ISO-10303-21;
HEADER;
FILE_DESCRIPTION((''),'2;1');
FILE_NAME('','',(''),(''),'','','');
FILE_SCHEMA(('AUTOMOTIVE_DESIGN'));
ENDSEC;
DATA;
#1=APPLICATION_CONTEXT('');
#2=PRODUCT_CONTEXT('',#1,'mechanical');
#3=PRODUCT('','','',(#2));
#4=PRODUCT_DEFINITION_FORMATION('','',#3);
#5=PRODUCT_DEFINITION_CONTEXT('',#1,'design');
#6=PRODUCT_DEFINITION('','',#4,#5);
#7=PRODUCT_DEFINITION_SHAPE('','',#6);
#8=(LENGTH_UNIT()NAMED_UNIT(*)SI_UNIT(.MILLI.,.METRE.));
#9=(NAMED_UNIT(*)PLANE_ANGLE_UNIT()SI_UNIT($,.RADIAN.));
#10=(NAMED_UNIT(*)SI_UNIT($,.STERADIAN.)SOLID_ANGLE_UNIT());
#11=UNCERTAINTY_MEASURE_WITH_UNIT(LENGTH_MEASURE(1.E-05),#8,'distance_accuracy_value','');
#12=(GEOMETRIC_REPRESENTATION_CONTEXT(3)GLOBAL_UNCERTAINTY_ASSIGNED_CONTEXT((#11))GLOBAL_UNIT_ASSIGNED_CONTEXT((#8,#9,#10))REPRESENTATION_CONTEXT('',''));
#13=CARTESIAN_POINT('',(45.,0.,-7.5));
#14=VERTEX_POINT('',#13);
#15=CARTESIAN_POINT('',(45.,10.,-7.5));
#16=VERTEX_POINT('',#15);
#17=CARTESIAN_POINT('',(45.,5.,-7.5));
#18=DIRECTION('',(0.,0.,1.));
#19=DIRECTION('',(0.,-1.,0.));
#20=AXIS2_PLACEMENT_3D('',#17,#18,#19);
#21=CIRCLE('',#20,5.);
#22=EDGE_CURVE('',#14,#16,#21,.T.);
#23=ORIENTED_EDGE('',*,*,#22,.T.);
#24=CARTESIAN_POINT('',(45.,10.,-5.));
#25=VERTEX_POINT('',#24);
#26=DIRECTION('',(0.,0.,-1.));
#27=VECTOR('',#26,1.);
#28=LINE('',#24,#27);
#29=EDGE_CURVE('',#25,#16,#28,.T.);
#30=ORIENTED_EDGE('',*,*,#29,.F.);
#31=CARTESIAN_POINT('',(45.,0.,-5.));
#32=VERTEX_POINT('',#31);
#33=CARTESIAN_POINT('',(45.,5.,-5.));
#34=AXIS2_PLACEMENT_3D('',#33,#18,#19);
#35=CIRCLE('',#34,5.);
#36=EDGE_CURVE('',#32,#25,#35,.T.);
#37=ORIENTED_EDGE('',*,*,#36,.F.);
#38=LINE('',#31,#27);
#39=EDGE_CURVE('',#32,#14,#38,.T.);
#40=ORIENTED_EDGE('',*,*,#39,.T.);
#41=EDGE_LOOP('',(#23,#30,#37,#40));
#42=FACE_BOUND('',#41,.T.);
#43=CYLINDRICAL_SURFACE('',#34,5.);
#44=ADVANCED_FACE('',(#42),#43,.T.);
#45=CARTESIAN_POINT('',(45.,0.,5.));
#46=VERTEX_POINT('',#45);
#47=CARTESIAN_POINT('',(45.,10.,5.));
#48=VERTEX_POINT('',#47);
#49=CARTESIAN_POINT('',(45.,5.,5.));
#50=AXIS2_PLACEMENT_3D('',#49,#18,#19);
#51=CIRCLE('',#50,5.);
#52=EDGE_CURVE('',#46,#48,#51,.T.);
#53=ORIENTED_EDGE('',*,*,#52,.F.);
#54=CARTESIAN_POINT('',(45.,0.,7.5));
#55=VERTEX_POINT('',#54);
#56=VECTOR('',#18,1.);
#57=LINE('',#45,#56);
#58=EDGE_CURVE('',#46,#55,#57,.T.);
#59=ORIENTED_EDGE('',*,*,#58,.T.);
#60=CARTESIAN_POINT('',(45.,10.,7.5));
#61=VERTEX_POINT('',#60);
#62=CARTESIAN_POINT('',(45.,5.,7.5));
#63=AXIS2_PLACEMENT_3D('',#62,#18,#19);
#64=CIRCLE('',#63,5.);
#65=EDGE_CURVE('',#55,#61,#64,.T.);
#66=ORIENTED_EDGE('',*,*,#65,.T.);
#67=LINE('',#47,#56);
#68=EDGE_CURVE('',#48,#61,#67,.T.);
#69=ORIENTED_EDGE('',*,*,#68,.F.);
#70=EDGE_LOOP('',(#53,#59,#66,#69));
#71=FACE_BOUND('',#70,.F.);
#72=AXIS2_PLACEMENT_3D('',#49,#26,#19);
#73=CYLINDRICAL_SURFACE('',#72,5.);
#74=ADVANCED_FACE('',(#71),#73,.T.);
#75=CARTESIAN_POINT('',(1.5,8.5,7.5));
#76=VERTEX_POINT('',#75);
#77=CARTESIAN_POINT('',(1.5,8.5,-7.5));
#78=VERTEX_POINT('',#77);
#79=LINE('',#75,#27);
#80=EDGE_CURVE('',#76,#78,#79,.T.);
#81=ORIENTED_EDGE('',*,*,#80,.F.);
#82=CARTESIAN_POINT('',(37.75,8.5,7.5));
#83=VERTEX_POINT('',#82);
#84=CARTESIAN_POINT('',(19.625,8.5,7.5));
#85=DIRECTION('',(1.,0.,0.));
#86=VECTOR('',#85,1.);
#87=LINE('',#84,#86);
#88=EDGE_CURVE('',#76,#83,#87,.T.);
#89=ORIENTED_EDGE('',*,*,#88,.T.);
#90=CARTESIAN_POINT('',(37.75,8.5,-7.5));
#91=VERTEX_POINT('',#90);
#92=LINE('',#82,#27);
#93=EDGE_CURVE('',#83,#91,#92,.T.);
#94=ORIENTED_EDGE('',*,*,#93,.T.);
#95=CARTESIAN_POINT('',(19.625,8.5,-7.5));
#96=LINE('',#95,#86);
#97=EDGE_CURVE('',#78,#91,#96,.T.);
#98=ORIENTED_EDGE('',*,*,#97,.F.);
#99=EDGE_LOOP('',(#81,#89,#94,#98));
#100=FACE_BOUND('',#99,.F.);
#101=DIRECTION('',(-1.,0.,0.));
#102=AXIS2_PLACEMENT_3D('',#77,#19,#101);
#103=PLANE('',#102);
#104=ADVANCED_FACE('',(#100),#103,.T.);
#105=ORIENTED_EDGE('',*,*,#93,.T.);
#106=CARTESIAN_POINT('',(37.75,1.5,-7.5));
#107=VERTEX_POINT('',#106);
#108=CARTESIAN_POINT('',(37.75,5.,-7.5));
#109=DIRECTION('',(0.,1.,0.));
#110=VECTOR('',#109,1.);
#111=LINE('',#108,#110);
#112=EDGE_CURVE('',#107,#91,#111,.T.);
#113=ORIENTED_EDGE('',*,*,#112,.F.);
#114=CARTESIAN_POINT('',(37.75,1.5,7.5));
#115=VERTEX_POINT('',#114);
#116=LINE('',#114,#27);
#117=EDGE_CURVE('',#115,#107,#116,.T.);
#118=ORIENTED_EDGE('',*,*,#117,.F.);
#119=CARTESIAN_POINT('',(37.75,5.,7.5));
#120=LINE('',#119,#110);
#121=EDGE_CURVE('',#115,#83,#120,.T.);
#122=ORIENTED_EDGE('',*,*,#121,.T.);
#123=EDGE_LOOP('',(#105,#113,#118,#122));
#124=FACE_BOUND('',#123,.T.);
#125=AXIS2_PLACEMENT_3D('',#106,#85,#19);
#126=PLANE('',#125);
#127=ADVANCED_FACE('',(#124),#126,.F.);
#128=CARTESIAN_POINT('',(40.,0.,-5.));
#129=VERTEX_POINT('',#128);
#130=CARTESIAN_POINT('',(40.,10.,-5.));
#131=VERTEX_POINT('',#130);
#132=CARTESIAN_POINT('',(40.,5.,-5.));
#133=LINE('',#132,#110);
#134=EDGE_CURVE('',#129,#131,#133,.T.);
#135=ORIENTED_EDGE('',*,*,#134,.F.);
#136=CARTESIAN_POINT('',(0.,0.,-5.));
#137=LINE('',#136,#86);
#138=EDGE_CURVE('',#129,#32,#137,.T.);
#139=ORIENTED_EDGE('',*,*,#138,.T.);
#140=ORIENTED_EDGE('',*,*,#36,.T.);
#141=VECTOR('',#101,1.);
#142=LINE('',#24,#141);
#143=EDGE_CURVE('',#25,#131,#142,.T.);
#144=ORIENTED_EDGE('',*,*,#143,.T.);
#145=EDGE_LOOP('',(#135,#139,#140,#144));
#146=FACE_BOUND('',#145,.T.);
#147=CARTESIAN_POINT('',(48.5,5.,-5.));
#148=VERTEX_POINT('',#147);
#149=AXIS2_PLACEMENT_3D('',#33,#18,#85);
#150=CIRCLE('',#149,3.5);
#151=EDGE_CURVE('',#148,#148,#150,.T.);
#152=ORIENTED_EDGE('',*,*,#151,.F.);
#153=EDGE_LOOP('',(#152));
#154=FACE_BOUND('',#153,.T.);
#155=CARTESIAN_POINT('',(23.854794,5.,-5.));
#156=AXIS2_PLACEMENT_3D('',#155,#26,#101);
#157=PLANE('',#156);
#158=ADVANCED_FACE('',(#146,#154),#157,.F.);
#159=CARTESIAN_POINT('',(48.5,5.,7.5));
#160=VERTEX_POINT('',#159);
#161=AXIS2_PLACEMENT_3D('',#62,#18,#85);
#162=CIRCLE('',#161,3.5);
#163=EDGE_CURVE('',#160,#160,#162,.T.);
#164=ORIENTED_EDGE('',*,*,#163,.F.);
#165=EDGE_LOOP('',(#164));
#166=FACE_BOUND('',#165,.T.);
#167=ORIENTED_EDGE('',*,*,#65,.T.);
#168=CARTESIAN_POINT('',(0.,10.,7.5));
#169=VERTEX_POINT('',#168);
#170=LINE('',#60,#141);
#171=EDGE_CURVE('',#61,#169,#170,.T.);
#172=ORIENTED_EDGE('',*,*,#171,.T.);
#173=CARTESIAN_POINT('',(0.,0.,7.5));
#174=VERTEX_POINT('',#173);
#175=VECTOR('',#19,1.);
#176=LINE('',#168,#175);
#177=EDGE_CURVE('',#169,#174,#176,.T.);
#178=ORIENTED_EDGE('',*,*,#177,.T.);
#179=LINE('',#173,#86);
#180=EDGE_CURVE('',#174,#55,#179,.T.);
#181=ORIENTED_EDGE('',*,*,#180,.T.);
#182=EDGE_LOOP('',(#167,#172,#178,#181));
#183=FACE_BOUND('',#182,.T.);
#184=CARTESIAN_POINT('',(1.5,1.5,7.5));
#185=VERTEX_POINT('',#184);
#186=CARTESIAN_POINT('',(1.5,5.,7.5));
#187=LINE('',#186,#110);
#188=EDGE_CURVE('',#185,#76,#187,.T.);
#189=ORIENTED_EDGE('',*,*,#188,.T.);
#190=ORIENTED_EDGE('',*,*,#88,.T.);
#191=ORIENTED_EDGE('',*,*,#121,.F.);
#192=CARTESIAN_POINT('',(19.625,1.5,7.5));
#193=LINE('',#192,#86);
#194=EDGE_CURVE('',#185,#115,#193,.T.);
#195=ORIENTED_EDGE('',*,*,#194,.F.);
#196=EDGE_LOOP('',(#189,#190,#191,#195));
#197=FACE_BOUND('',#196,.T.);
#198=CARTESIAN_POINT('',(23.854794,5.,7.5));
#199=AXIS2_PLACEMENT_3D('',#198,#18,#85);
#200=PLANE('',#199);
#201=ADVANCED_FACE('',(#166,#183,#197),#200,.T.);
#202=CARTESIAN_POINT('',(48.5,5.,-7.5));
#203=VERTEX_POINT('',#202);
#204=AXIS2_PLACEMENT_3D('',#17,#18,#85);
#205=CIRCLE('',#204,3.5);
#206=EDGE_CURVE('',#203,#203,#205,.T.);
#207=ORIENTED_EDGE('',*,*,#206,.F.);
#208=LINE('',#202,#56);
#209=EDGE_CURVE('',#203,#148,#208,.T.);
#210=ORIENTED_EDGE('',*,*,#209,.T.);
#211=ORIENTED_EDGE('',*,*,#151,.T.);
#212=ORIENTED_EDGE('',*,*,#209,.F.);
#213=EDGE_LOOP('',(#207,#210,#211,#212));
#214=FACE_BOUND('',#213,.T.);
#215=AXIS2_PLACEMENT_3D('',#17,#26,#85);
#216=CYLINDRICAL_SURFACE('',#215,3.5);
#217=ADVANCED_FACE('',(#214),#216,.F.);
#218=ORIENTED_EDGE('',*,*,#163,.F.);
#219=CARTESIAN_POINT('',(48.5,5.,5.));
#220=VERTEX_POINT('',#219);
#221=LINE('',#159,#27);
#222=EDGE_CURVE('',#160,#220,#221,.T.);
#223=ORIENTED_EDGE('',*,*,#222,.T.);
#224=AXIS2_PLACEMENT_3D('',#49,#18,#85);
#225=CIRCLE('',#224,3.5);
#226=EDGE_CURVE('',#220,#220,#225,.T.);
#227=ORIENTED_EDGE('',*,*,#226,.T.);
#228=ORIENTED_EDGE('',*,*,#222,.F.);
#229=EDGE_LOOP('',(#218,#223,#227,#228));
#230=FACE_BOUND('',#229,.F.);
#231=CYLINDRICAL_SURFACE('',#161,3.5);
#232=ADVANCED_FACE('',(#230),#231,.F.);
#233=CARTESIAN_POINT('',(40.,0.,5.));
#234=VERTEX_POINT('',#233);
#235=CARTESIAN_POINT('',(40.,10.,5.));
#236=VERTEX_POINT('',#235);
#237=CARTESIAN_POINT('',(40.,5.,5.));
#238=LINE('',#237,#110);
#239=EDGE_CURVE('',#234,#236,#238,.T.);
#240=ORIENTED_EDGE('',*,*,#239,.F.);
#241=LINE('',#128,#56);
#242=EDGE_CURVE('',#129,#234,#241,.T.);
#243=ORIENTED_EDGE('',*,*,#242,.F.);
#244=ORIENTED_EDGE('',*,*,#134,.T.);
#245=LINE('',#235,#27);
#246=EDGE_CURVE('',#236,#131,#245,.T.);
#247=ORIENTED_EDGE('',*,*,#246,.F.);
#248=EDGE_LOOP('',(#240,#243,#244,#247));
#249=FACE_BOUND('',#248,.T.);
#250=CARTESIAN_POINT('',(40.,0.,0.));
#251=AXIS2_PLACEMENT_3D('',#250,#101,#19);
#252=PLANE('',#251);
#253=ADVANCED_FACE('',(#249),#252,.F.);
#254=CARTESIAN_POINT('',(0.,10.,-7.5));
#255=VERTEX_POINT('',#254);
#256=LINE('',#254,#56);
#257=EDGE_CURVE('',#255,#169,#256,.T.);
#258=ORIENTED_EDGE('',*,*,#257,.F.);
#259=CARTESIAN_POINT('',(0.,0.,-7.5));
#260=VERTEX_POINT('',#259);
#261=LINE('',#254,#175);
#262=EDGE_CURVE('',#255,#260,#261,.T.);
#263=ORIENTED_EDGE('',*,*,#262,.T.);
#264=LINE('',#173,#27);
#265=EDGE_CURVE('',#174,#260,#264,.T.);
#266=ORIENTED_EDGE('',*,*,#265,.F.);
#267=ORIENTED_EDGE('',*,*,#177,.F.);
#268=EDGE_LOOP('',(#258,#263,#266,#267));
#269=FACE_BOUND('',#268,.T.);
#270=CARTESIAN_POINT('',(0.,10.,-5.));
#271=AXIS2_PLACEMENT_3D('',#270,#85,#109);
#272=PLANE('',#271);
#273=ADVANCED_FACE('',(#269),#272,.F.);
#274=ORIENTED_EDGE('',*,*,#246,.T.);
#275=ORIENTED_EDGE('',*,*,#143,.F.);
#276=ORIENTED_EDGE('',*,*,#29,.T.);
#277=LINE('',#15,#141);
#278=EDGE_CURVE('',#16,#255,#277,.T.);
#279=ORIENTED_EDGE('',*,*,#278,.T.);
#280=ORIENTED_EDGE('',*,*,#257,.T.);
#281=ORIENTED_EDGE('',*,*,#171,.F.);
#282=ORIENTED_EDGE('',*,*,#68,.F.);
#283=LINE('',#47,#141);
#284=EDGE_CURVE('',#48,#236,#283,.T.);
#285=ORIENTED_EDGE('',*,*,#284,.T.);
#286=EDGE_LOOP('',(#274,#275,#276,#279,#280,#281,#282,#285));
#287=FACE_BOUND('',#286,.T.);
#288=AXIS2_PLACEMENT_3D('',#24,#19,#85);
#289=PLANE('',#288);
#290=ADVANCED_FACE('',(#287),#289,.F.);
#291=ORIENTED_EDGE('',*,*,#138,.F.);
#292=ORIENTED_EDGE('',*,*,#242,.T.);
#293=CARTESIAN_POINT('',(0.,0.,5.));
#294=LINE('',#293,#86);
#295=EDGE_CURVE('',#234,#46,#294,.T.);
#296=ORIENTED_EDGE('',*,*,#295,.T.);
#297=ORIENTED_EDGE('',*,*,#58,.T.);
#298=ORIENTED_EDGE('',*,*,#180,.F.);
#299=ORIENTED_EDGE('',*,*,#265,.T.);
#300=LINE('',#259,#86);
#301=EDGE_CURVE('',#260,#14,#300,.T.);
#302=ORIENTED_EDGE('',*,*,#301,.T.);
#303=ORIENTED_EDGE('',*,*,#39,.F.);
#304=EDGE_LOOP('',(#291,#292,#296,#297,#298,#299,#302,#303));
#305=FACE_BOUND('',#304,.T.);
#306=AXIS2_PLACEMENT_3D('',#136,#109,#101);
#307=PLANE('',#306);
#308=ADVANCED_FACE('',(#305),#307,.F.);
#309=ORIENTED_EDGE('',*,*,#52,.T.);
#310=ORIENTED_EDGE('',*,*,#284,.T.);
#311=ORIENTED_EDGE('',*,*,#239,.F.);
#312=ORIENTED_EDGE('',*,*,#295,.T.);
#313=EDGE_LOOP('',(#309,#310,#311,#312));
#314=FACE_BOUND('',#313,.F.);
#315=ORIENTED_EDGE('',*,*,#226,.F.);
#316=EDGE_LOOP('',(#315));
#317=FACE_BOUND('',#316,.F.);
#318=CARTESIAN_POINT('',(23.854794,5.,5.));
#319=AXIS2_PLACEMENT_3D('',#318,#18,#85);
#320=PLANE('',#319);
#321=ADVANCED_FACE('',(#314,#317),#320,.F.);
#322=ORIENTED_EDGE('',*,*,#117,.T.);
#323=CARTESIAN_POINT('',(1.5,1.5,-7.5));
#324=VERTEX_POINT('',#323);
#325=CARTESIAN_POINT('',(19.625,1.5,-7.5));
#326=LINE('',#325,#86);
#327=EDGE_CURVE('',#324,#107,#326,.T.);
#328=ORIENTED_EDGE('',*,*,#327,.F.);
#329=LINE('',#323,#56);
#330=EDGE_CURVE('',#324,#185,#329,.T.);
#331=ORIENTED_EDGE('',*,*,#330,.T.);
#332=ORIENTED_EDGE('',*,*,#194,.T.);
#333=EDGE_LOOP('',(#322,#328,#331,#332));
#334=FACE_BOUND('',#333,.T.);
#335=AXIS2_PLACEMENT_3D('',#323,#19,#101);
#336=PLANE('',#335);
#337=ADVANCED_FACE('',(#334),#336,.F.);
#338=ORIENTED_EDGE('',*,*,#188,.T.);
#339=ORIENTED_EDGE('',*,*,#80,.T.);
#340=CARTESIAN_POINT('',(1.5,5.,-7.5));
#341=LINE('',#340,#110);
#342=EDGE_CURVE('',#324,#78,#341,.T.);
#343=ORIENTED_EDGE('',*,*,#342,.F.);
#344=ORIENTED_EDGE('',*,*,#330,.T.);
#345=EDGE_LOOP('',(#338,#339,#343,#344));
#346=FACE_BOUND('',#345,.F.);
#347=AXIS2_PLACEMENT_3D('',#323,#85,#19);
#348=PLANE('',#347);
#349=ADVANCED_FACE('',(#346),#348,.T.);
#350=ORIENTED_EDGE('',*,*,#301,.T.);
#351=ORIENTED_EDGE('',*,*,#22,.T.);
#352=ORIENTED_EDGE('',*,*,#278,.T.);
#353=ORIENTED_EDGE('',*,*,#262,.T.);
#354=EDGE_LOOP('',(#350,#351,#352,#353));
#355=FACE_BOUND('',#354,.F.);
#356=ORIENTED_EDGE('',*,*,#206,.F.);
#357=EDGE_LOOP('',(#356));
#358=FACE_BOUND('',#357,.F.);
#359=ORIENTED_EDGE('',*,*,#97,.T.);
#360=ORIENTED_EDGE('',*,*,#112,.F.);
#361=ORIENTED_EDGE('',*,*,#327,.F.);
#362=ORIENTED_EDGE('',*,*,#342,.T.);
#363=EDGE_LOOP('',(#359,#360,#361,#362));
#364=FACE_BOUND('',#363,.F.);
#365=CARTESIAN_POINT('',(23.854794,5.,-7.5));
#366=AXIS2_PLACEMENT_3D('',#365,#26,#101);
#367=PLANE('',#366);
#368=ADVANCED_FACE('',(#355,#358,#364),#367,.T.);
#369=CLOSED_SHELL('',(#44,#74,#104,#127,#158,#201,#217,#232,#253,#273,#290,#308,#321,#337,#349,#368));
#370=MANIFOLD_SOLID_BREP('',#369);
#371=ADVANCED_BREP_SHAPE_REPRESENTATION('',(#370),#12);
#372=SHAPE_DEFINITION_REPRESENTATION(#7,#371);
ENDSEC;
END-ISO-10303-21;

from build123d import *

# Parameters (mm, degrees)
F0_W     = 40
F0_H     = 10
F1_DEPTH = 5
F3_DEPTH = 2.5
F4_R     = 3.5
F5_DEPTH = 7.501
F6_W     = 36.25
F6_H     = 7
F7_DEPTH = 7.501


with BuildPart() as f1:
    # F0 (on Top) → F1 (new body)
    with BuildSketch(Plane.XY):
        with Locations((20, 5)):
            Rectangle(F0_W, F0_H)
    extrude(amount=F1_DEPTH)

    # F2 (on face) → F3 (join)
    with BuildSketch(Plane.XY.offset(5)):
        with BuildLine():
            Line((40, 0), (45, 0))
            ThreePointArc((45, 0), (50, 5), (45, 10))
            Line((45, 10), (40, 10))
            Line((40, 10), (0, 10))
            Line((0, 10), (0, 0))
            Line((0, 0), (40, 0))
        make_face()
    extrude(amount=F3_DEPTH)

    # F4 (on face) → F5 (cut, through all)
    with BuildSketch(Plane.XY.offset(7.5)):
        with Locations((45, 5)):
            Circle(F4_R)
    extrude(amount=-F5_DEPTH, mode=Mode.SUBTRACT)

    # F6 (on face) → F7 (cut, through all)
    with BuildSketch(Plane.XY.offset(7.5)):
        with Locations((19.625, 5)):
            Rectangle(F6_W, F6_H)
    extrude(amount=-F7_DEPTH, mode=Mode.SUBTRACT)

    # F8: F1 across plane


with BuildPart() as f1_1:
    add(f1.part)
    add(f1.part.mirror(Plane.XY))


solid = f1_1.part
